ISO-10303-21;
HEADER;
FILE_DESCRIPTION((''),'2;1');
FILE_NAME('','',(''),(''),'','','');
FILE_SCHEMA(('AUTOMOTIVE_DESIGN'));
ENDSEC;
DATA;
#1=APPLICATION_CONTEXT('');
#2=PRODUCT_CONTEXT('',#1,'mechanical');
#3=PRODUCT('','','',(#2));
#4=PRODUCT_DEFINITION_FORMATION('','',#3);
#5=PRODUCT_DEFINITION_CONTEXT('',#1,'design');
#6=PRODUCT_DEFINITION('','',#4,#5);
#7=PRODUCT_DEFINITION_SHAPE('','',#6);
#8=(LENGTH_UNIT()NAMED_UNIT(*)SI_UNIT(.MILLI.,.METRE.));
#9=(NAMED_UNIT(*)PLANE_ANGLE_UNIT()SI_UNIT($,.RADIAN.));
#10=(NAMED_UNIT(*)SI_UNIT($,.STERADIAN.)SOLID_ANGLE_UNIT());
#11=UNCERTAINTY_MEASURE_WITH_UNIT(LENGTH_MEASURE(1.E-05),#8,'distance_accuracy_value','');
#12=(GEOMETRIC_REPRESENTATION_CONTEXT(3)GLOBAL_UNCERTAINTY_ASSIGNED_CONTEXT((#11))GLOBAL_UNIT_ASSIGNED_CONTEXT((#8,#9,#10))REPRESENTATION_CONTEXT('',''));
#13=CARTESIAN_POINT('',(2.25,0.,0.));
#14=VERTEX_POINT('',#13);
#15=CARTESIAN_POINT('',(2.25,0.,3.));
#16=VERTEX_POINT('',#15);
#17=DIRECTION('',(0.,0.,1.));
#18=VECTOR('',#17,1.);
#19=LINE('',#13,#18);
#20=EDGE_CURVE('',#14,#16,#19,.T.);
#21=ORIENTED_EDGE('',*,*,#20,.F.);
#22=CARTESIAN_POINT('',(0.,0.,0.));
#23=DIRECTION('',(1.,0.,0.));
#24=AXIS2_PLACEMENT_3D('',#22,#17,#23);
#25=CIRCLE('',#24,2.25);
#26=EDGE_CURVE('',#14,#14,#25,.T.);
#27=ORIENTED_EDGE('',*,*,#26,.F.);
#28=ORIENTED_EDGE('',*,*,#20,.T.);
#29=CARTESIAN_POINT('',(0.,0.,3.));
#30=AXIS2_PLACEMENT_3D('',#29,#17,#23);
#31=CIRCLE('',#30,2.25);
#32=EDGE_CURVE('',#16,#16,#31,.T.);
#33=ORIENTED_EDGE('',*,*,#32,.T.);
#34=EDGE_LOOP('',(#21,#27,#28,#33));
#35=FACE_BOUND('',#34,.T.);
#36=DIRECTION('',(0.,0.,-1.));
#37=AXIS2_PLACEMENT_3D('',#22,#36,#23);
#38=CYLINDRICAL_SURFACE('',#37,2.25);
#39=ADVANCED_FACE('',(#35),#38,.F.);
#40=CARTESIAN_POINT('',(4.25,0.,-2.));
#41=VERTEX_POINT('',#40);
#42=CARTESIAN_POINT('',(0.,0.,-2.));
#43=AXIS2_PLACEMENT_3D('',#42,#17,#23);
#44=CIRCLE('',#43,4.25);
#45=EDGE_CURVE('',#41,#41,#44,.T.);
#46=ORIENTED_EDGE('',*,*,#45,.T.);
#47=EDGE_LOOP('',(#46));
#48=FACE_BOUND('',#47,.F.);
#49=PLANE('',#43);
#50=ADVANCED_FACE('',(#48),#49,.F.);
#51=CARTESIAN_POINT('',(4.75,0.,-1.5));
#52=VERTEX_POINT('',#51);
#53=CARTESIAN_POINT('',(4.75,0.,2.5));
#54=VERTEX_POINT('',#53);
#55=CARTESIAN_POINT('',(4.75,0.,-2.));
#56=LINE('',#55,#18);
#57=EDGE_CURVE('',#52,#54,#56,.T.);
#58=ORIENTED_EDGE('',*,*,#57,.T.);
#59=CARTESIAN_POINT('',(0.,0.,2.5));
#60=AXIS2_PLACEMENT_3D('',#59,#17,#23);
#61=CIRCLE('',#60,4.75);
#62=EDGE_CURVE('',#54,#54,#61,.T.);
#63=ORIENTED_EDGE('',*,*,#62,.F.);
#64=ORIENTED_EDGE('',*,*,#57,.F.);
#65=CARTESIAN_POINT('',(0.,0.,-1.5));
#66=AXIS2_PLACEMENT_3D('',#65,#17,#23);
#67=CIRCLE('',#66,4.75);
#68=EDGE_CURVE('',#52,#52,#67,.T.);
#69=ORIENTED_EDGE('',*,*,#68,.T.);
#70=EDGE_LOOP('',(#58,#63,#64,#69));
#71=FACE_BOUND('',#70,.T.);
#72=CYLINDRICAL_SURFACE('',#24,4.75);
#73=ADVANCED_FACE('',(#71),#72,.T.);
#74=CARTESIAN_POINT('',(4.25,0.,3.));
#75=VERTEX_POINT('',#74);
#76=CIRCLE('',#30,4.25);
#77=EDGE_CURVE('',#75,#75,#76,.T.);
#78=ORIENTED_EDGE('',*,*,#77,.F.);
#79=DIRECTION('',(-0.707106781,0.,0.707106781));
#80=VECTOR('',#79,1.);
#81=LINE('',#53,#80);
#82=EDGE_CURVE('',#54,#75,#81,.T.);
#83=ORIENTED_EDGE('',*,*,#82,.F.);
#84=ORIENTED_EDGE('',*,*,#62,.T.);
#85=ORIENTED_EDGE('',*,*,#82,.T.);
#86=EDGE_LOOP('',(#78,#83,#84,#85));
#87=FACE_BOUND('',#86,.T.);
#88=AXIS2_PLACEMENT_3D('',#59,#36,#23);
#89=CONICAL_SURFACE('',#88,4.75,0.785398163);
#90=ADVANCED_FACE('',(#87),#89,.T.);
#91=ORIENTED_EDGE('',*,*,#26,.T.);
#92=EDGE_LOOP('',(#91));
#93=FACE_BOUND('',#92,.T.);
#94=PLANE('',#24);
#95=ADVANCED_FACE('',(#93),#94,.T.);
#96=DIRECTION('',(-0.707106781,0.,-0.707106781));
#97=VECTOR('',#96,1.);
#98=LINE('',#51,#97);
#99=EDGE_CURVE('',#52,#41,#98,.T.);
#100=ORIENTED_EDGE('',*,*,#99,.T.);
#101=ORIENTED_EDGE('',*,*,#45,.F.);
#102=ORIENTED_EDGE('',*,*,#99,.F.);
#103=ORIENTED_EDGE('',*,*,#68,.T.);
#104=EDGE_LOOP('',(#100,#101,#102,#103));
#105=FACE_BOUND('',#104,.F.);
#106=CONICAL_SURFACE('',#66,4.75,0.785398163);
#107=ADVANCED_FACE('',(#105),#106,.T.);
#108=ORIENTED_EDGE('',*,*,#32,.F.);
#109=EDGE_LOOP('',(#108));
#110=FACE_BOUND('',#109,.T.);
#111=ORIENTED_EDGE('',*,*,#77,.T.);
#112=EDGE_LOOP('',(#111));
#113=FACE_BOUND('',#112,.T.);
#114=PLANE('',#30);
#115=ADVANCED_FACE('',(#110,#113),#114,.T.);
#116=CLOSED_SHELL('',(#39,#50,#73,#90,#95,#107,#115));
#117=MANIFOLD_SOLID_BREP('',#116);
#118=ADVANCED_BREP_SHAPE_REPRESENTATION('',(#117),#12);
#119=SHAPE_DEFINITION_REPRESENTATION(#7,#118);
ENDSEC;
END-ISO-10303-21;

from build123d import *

# Parameters (mm, degrees)
F0_R     = 4.75
F0_R_2   = 2.25
F1_DEPTH = 3
F2_DEPTH = 2
F3_SIZE  = 0.5


with BuildPart() as f1:
    # F0 (on Top) → F1 (new body)
    with BuildSketch(Plane.XY):
        Circle(F0_R)
        Circle(F0_R_2, mode=Mode.SUBTRACT)
    extrude(amount=F1_DEPTH)

    # F0 (on Top) → F2 (join)
    with BuildSketch(Plane.XY):
        Circle(F0_R)
        Circle(F0_R_2, mode=Mode.SUBTRACT)
        Circle(F0_R_2)
    extrude(amount=-F2_DEPTH)

    # F3
    f3_edges = [f1.edges().sort_by_distance(p)[0] for p in [
        (-4.75, 0, 3),
        (-4.75, 0, -2),
    ]]
    chamfer(f3_edges, length=F3_SIZE)


solid = f1.part
